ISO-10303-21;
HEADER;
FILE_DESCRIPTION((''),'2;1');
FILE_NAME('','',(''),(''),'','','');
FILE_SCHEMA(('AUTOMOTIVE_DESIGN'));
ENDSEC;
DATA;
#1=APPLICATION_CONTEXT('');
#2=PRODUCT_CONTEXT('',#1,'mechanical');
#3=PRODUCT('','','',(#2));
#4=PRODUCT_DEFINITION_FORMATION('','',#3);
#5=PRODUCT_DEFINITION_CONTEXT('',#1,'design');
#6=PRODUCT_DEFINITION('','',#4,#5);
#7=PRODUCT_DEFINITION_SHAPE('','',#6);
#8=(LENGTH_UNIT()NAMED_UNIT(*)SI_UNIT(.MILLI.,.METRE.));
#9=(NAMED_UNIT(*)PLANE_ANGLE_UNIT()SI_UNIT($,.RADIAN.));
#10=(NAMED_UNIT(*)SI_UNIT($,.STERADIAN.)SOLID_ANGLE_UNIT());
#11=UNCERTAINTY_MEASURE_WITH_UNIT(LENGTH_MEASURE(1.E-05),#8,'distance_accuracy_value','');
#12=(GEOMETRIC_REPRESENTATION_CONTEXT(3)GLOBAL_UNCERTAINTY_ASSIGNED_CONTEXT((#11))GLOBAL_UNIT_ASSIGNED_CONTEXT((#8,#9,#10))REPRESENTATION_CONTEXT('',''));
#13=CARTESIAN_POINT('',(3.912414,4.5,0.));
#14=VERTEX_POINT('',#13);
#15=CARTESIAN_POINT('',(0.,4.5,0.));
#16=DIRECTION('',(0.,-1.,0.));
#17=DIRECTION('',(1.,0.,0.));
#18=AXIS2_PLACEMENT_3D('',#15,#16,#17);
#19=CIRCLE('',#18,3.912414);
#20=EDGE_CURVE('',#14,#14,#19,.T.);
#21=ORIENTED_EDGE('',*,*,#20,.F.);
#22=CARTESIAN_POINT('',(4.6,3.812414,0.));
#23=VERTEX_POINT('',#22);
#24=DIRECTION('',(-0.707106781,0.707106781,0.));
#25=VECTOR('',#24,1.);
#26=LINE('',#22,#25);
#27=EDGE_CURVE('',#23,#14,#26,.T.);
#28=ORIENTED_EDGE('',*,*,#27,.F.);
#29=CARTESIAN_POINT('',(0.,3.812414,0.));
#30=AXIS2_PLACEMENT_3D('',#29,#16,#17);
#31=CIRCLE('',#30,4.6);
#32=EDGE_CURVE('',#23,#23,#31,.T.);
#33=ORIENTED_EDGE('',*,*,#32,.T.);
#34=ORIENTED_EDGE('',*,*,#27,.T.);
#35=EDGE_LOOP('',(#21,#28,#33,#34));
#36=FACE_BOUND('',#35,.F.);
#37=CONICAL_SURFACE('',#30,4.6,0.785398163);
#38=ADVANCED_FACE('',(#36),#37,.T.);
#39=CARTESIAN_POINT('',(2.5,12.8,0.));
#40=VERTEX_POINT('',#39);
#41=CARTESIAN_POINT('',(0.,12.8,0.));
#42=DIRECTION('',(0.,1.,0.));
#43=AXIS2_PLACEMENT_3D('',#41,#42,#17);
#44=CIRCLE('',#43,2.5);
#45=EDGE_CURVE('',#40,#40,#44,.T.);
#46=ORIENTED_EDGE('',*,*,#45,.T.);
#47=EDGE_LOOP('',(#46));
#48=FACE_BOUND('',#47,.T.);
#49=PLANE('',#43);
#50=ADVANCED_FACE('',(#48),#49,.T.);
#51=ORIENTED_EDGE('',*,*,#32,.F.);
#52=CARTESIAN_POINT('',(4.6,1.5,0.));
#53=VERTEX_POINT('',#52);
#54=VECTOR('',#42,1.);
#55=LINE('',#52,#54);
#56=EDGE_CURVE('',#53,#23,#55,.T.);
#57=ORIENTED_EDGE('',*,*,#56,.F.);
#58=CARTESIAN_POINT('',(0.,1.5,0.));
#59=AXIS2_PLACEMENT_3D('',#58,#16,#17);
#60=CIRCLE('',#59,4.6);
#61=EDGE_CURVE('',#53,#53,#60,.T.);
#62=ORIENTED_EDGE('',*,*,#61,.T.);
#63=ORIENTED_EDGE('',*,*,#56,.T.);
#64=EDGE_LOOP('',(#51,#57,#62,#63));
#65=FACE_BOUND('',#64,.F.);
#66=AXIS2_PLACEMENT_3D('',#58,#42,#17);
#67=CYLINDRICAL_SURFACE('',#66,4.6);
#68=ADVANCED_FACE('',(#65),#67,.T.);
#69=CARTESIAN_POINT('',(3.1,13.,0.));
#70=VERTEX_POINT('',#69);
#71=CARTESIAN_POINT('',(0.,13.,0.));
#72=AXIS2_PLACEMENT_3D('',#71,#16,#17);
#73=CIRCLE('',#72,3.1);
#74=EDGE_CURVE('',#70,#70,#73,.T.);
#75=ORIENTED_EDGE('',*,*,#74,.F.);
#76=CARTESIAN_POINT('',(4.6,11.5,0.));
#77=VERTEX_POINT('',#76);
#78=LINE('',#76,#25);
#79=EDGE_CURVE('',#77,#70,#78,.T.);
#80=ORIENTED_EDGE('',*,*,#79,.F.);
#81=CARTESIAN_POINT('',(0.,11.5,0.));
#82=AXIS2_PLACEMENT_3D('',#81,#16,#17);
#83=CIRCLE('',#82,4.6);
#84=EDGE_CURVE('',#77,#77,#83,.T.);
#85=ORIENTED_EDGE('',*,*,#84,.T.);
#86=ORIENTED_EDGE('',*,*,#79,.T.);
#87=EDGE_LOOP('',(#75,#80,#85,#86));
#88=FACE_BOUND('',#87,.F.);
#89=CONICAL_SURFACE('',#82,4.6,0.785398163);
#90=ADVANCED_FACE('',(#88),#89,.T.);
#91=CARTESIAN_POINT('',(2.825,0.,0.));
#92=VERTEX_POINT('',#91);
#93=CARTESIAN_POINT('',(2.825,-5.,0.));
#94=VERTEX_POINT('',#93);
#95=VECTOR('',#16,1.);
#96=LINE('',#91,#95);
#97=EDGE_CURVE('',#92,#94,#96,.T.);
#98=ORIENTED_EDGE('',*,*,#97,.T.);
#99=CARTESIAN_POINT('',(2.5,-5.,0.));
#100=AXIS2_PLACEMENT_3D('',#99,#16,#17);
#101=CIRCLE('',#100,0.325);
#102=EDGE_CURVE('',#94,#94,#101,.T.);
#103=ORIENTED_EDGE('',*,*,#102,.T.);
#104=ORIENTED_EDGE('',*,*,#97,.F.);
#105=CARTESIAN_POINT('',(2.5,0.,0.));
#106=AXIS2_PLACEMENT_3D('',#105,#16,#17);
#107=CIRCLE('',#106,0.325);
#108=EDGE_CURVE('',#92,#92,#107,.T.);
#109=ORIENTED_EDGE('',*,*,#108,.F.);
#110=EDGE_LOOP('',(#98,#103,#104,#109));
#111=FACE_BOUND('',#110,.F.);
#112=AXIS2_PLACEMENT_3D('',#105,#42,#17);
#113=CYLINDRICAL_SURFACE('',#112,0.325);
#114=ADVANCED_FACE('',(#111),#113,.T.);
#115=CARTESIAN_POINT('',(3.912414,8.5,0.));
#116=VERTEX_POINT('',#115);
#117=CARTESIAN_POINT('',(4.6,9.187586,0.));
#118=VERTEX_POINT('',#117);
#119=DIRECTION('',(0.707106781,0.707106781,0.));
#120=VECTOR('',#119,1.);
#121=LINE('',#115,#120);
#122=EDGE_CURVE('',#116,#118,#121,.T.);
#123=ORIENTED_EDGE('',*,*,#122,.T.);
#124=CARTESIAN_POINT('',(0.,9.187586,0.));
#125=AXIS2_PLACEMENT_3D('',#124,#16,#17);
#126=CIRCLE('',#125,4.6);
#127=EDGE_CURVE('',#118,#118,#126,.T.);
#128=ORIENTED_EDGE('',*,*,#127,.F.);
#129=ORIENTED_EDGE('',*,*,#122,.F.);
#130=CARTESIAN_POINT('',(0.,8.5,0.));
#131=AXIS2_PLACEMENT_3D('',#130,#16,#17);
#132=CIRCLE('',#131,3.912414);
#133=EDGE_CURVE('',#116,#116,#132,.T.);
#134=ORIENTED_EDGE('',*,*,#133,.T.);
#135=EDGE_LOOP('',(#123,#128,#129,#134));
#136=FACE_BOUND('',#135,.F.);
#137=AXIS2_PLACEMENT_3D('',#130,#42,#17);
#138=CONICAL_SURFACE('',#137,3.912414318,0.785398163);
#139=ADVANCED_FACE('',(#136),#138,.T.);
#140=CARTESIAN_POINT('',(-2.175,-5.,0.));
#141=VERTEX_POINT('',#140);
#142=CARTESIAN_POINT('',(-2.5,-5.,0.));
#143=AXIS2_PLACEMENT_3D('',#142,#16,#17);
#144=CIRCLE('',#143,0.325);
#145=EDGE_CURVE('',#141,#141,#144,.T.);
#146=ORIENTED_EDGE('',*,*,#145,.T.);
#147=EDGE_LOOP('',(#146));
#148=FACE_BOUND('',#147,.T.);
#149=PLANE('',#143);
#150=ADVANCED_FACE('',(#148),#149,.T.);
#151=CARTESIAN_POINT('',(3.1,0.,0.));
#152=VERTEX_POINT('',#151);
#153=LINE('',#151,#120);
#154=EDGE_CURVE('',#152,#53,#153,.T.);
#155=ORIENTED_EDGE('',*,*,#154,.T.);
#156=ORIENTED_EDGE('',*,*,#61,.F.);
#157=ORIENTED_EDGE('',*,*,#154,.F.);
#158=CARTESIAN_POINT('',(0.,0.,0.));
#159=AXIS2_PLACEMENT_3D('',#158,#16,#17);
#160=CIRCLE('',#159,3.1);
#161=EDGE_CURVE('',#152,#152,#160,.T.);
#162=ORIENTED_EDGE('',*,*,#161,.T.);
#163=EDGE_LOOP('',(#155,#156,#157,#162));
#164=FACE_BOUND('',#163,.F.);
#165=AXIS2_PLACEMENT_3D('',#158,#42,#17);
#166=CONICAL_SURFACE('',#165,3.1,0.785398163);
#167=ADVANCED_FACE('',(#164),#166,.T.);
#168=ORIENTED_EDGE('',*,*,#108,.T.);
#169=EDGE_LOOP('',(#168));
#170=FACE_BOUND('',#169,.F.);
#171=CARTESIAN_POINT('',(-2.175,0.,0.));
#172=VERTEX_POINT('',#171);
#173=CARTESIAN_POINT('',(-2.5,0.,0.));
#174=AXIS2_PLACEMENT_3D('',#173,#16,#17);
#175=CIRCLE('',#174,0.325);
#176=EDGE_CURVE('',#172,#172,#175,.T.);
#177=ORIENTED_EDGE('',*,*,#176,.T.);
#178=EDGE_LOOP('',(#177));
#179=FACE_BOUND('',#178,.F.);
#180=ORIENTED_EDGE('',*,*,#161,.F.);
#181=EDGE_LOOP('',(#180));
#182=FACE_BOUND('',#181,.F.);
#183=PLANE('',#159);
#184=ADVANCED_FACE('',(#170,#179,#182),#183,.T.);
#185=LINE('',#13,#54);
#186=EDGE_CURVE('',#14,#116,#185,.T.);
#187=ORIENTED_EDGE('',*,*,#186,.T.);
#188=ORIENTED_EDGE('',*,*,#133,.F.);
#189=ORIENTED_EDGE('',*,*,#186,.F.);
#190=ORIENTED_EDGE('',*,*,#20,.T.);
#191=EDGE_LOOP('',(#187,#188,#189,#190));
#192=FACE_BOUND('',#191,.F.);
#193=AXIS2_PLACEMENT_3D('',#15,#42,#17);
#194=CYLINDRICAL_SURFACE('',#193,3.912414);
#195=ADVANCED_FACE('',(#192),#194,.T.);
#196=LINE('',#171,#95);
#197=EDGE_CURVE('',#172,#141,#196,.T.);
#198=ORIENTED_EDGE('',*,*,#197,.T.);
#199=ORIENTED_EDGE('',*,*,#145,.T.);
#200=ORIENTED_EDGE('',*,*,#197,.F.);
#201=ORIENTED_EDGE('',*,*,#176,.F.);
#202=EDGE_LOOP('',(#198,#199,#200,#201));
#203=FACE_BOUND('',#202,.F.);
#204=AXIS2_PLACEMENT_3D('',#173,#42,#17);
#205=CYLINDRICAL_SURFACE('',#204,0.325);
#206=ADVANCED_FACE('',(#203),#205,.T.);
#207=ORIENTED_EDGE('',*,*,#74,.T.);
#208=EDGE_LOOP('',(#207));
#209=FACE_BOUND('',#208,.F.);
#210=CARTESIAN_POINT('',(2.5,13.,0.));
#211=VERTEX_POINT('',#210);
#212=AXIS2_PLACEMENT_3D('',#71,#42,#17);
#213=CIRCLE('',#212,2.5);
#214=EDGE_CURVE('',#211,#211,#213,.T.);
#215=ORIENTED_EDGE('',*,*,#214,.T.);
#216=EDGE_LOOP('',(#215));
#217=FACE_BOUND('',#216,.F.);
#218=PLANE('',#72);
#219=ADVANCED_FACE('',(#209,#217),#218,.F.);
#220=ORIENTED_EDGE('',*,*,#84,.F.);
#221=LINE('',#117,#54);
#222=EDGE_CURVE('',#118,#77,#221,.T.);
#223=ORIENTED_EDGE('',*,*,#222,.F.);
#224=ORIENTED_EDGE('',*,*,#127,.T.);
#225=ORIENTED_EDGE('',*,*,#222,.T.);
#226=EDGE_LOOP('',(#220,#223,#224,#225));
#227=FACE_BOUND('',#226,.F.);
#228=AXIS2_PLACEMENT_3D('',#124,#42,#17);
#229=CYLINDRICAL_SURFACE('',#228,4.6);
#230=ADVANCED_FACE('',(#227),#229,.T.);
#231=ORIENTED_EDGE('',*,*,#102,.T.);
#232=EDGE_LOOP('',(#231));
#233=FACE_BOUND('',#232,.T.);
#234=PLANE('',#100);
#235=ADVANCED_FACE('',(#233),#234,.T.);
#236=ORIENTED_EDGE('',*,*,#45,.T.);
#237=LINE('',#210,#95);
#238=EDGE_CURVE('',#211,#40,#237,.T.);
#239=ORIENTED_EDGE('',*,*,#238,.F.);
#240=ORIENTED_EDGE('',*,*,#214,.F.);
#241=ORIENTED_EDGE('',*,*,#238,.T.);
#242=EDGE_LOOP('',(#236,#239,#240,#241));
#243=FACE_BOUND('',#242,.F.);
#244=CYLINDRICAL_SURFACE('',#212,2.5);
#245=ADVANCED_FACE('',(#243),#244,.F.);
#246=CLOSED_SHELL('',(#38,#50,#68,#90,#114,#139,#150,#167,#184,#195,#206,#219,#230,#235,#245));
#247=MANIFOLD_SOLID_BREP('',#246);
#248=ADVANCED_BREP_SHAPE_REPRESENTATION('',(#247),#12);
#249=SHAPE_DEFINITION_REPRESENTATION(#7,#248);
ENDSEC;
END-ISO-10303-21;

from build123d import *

# Parameters (mm, degrees)
SKETCH_7_R          = 0.325
EXTRUDE_1_DEPTH     = 5
SKETCH_8_R          = 2.5
CUT_EXTRUDE_1_DEPTH = 0.2


with BuildPart() as part:
    # Эскиз6 → Повернуть1 (revolve)
    with BuildSketch(Plane.XY):
        Polygon((0, 13), (0, 0), (3.1, 0), (4.6, 1.5), (4.6, 3.812414318), (3.912414318, 4.5), (3.912414318, 8.5), (4.6, 9.187585682), (4.6, 11.5), (3.1, 13), align=None)
    revolve(axis=Axis((0, 13, 0), (0, -1, 0)))

    # Эскиз7 → Бобышка-Вытянуть1 (add)
    with BuildSketch(Plane.XZ):
        with Locations((2.5, 0)):
            Circle(SKETCH_7_R)
        with Locations((-2.5, 0)):
            Circle(SKETCH_7_R)
    extrude(amount=EXTRUDE_1_DEPTH)

    # Эскиз8 → Вырез-Вытянуть1 (cut)
    with BuildSketch(Plane(origin=(0, 13, 0), x_dir=(1, 0, 0), z_dir=(0, 1, 0))):
        Circle(SKETCH_8_R)
    extrude(amount=-CUT_EXTRUDE_1_DEPTH, mode=Mode.SUBTRACT)


solid = part.part
